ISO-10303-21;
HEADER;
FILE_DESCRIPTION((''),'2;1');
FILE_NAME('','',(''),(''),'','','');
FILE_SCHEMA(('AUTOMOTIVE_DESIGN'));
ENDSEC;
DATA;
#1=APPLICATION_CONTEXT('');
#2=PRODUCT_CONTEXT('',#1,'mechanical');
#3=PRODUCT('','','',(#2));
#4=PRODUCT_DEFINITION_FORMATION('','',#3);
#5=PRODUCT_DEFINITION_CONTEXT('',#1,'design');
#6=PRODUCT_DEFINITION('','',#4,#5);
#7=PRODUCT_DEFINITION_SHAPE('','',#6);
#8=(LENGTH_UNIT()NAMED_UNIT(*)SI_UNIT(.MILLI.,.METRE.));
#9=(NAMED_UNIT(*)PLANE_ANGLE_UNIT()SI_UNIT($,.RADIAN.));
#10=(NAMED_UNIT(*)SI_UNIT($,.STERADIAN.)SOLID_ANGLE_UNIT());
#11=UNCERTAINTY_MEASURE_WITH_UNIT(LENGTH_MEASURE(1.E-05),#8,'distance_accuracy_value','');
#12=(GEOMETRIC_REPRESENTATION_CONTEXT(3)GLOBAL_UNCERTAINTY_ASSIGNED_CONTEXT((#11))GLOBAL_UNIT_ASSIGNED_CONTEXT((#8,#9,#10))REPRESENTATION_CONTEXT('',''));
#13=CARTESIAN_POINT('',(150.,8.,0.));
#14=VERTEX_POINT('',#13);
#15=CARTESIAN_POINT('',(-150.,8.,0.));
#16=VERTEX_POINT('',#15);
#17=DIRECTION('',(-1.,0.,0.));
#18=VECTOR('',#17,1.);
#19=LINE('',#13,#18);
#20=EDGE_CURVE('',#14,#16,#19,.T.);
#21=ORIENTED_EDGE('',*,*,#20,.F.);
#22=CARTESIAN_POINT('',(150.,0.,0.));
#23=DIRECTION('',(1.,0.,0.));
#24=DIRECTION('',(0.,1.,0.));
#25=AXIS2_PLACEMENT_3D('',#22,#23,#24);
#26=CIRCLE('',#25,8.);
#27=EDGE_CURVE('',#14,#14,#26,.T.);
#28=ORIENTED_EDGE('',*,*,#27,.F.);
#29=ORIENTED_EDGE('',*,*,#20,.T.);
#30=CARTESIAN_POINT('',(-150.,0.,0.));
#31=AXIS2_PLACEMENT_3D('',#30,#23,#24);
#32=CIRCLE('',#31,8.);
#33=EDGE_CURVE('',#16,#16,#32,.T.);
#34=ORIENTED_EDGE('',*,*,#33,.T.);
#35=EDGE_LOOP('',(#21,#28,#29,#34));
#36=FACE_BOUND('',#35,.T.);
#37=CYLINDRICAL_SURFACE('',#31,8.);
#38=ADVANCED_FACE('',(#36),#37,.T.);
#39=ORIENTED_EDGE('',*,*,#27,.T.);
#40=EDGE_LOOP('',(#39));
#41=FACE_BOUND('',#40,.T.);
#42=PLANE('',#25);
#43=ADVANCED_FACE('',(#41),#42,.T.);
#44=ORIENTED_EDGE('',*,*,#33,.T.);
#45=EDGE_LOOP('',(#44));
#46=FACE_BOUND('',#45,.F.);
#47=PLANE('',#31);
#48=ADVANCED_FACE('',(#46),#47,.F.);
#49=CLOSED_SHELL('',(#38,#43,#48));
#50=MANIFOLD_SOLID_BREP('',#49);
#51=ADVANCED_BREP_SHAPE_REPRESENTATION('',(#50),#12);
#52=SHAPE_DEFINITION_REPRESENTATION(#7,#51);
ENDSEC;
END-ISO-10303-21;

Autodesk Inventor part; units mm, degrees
ref_plane "YZ Plane" through (0, 0, 0) normal (1, 0, 0) x (0, 1, 0)
ref_plane "XZ Plane" through (0, 0, 0) normal (0, 1, 0) x (-1, 0, 0)
sketch "Эскиз1" plane through (0, 0, 0) normal (0, 0, 1) x (1, 0, 0)
  line L0 (150, 8) -> (150, 0)
  line L1 (-150, 0) -> (150, 0)
  line L2 (-210, 0) -> (210, 0) projected
  line L3 (0, 9.6) -> (0, -1.6) projected
  line L4 (-150, 8) -> (-150, 0)
  line L5 (0, 8) -> (0, 0) construction
  line L6 (-210, 0) -> (210, 0) projected
  line L7 (-150, 8) -> (150, 8)
  dimension "d13" = 16
  dimension "d87" = 300
  dimension "d88" = 150
revolve "Базовый элемент" add sketch "Эскиз1" angle 360 about axis through (-150, 0, 0) along (1, 0, 0)
thread "Резьба1" size "M16x2" class "6g" standard "ISO Metric profile" length 300
ref_plane "Work Plane1" through (2.75, 0, 0) normal (0, -1, 0) x (1, 0, 0)
equation "\"d13\" = NND"
equation "\"d87\" = NLG"
equation "\"d88\" = 0.5 * NLG"
equation "\"d1\" = GEL"
equation "\"NLG\" = 300"
equation "\"GEL\" = NLG"
equation "\"GAL\" = 0.61345 * PTC"
equation "\"SPD\" = 13.271"
equation "\"d0\" = NND"
equation "\"GUL\" = 0.61345 * PTC"
equation "\"NND\" = 16"
equation "\"GUL1\" = GUL"
equation "\"GAL1\" = GAL"
equation "\"d89\" = -GEL + GUL1"
equation "\"d90\" = -GUL - GEL"
equation "\"PTC\" = 2"
equation "\"THREADDIA\" = 16"
equation "\"TOA\" = 30deg"
equation "\"GD1\" = THREADDIA - 1.2269 * PTC"
properties part number "DIN 976-1 - M16 x 300 - A" material "Сталь, мягкая"
